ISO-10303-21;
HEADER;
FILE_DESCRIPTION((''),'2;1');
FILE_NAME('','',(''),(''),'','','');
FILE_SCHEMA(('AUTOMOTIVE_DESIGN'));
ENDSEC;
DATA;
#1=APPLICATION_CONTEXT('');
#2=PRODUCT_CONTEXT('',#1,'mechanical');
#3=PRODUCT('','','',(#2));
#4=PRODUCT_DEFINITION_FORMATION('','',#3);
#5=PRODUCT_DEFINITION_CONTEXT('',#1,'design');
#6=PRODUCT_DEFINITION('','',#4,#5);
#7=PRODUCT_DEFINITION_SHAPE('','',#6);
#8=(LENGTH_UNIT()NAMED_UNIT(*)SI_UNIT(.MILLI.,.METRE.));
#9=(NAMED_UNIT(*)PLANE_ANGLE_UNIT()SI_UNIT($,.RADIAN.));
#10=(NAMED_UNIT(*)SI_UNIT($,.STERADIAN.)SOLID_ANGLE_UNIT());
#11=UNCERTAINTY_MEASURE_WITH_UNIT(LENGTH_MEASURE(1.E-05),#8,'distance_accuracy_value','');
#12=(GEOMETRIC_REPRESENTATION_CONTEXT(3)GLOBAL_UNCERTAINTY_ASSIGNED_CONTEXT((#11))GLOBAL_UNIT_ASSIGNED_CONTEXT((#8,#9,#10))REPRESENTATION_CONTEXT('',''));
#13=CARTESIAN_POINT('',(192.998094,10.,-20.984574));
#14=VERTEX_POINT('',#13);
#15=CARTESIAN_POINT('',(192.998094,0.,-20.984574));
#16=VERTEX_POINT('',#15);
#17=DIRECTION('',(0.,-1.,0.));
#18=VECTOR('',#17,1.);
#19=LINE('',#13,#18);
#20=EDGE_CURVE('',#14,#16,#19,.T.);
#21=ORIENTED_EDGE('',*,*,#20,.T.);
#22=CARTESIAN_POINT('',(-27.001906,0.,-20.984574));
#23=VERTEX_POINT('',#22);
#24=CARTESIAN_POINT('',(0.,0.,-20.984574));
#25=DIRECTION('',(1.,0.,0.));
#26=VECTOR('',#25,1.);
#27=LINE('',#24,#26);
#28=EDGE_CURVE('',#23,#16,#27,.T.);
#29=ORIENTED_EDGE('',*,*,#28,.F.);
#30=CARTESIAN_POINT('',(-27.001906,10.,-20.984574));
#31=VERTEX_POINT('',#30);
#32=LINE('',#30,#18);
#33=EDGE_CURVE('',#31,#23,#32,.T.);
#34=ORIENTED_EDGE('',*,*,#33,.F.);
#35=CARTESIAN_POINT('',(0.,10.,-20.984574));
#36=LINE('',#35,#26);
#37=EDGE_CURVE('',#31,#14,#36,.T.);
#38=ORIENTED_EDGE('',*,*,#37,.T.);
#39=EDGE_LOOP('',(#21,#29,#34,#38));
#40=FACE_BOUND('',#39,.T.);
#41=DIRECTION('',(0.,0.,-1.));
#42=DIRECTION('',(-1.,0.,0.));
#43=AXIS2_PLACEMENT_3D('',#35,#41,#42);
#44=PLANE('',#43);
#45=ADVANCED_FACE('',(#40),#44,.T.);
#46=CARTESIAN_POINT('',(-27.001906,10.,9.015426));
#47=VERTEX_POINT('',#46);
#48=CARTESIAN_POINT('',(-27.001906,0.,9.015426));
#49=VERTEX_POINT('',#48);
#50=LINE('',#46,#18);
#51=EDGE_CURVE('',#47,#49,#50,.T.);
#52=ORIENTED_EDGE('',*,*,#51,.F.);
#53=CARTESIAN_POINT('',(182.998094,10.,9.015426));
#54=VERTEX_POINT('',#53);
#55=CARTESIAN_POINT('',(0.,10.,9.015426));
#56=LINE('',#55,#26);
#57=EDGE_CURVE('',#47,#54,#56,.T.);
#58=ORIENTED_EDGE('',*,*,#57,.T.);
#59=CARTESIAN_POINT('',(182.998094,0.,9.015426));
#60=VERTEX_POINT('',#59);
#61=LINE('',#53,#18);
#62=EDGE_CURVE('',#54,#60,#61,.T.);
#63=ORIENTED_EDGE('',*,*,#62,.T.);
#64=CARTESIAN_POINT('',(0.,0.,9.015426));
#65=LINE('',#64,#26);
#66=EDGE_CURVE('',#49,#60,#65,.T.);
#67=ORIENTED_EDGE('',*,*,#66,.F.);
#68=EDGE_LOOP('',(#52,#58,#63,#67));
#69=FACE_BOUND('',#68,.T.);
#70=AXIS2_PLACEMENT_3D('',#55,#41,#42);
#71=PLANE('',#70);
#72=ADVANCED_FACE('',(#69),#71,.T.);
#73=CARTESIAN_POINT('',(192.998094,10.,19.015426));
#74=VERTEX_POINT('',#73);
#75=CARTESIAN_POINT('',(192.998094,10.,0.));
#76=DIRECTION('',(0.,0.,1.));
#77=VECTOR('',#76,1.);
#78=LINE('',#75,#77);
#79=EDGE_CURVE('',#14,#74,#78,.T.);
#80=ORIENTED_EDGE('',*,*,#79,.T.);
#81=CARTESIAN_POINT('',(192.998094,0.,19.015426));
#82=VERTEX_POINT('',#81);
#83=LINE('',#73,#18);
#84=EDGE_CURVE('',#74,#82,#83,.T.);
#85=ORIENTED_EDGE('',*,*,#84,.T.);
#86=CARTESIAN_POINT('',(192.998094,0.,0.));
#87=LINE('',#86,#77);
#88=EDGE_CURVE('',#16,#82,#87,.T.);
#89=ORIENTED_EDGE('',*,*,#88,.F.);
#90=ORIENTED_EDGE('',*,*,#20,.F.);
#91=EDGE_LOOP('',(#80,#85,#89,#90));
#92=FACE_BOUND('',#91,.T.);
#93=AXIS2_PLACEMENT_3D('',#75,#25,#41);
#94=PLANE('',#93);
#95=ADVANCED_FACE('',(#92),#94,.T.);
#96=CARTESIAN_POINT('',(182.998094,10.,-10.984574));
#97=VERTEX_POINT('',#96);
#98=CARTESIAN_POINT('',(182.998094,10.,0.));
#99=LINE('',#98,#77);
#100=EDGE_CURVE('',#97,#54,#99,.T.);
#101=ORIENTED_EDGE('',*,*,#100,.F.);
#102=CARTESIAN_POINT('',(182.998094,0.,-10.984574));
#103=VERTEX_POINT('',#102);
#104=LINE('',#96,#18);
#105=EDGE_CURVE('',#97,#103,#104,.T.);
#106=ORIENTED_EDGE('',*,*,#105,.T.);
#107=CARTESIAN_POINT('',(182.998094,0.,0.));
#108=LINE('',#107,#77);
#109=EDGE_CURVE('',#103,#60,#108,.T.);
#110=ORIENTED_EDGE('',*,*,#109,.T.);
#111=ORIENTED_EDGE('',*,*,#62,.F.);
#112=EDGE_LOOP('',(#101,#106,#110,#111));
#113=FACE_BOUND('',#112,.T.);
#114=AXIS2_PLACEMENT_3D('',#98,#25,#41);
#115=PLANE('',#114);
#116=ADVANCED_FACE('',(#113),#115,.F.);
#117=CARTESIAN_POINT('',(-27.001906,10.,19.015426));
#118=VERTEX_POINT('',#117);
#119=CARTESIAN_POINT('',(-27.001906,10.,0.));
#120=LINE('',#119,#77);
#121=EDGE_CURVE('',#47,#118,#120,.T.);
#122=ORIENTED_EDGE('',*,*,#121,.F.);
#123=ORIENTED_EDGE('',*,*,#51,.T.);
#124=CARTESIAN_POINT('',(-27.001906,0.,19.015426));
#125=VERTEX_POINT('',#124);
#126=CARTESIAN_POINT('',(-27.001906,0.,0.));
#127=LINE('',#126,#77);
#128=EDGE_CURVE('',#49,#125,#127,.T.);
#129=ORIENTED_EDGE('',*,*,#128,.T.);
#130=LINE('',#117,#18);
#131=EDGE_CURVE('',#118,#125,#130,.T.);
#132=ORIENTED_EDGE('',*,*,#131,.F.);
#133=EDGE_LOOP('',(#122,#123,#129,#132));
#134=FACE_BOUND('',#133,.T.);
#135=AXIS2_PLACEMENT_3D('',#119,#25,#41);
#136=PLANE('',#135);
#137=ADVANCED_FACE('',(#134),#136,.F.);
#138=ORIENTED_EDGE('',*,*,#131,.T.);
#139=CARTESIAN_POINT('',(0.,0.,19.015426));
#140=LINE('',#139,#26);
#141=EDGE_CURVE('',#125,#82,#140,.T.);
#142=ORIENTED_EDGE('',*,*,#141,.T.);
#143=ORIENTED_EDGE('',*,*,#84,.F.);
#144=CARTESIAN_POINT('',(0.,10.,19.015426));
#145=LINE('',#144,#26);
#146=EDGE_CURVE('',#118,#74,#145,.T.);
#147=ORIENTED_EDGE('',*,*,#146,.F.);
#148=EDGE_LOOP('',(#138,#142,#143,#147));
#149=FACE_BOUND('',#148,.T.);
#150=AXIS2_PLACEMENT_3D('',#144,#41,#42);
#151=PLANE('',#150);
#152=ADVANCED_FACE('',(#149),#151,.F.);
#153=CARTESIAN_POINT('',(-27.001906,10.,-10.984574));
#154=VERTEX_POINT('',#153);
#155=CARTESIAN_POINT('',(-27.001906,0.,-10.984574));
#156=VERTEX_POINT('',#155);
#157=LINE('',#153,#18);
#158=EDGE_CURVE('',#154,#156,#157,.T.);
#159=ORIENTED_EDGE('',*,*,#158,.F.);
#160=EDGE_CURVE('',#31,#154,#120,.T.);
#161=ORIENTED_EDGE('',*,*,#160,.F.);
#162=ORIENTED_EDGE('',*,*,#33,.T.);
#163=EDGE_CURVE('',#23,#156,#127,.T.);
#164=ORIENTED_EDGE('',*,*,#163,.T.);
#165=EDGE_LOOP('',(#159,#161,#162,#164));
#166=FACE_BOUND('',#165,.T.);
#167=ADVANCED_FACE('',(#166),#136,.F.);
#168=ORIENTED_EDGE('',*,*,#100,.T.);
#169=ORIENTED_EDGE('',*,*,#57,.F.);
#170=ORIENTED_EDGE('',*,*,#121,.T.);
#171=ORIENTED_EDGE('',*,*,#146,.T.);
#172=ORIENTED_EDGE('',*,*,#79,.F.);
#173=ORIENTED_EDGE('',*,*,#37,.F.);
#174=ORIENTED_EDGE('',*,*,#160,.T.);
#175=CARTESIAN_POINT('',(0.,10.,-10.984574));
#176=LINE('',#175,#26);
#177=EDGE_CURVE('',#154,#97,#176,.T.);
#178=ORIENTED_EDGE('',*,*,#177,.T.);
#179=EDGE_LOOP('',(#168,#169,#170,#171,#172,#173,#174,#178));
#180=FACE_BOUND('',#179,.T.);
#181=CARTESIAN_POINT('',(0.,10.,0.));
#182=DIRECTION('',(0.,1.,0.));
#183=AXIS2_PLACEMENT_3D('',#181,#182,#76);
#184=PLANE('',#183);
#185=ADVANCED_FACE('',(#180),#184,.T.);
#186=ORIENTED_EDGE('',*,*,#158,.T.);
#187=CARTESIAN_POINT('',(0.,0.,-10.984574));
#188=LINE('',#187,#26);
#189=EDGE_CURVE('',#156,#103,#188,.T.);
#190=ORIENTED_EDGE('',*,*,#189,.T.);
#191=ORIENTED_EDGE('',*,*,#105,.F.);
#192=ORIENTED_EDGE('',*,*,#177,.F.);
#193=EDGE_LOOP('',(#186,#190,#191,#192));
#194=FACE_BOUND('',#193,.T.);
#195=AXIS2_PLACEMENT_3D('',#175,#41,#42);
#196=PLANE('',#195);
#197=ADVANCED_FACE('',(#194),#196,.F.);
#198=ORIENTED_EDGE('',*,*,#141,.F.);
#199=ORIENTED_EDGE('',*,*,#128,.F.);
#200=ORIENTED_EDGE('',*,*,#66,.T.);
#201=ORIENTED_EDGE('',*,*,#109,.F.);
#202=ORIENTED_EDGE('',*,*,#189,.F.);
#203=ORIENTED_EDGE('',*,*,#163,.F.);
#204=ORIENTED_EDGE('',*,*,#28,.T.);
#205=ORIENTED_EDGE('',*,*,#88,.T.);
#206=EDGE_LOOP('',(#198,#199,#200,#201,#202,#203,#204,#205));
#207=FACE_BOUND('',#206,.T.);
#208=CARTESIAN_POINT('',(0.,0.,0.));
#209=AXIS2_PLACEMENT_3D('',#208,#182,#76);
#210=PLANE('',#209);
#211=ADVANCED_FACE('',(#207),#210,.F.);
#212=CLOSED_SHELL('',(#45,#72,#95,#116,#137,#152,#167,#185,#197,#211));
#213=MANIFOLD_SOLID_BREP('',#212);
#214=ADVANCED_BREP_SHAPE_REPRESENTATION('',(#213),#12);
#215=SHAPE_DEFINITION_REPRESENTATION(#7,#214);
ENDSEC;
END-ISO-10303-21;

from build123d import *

# Parameters (mm, degrees)
SKETCH1_W           = 210
SKETCH1_H           = 10
BOSS_EXTRUDE1_DEPTH = 10


with BuildPart() as part:
    # Sketch1 → Boss-Extrude1 (new body)
    with BuildSketch(Plane(origin=(0, 0, 0), x_dir=(1, 0, 0), z_dir=(0, 1, 0))):
        with Locations((77.998094374, -14.015426497)):
            Rectangle(SKETCH1_W, SKETCH1_H)
        Polygon((192.998094374, 20.984573503), (182.998094374, 20.984573503), (182.998094374, 10.984573503), (182.998094374, -9.015426497), (182.998094374, -19.015426497), (192.998094374, -19.015426497), align=None)
        with Locations((77.998094374, 15.984573503)):
            Rectangle(SKETCH1_W, SKETCH1_H)
    extrude(amount=BOSS_EXTRUDE1_DEPTH)


solid = part.part
